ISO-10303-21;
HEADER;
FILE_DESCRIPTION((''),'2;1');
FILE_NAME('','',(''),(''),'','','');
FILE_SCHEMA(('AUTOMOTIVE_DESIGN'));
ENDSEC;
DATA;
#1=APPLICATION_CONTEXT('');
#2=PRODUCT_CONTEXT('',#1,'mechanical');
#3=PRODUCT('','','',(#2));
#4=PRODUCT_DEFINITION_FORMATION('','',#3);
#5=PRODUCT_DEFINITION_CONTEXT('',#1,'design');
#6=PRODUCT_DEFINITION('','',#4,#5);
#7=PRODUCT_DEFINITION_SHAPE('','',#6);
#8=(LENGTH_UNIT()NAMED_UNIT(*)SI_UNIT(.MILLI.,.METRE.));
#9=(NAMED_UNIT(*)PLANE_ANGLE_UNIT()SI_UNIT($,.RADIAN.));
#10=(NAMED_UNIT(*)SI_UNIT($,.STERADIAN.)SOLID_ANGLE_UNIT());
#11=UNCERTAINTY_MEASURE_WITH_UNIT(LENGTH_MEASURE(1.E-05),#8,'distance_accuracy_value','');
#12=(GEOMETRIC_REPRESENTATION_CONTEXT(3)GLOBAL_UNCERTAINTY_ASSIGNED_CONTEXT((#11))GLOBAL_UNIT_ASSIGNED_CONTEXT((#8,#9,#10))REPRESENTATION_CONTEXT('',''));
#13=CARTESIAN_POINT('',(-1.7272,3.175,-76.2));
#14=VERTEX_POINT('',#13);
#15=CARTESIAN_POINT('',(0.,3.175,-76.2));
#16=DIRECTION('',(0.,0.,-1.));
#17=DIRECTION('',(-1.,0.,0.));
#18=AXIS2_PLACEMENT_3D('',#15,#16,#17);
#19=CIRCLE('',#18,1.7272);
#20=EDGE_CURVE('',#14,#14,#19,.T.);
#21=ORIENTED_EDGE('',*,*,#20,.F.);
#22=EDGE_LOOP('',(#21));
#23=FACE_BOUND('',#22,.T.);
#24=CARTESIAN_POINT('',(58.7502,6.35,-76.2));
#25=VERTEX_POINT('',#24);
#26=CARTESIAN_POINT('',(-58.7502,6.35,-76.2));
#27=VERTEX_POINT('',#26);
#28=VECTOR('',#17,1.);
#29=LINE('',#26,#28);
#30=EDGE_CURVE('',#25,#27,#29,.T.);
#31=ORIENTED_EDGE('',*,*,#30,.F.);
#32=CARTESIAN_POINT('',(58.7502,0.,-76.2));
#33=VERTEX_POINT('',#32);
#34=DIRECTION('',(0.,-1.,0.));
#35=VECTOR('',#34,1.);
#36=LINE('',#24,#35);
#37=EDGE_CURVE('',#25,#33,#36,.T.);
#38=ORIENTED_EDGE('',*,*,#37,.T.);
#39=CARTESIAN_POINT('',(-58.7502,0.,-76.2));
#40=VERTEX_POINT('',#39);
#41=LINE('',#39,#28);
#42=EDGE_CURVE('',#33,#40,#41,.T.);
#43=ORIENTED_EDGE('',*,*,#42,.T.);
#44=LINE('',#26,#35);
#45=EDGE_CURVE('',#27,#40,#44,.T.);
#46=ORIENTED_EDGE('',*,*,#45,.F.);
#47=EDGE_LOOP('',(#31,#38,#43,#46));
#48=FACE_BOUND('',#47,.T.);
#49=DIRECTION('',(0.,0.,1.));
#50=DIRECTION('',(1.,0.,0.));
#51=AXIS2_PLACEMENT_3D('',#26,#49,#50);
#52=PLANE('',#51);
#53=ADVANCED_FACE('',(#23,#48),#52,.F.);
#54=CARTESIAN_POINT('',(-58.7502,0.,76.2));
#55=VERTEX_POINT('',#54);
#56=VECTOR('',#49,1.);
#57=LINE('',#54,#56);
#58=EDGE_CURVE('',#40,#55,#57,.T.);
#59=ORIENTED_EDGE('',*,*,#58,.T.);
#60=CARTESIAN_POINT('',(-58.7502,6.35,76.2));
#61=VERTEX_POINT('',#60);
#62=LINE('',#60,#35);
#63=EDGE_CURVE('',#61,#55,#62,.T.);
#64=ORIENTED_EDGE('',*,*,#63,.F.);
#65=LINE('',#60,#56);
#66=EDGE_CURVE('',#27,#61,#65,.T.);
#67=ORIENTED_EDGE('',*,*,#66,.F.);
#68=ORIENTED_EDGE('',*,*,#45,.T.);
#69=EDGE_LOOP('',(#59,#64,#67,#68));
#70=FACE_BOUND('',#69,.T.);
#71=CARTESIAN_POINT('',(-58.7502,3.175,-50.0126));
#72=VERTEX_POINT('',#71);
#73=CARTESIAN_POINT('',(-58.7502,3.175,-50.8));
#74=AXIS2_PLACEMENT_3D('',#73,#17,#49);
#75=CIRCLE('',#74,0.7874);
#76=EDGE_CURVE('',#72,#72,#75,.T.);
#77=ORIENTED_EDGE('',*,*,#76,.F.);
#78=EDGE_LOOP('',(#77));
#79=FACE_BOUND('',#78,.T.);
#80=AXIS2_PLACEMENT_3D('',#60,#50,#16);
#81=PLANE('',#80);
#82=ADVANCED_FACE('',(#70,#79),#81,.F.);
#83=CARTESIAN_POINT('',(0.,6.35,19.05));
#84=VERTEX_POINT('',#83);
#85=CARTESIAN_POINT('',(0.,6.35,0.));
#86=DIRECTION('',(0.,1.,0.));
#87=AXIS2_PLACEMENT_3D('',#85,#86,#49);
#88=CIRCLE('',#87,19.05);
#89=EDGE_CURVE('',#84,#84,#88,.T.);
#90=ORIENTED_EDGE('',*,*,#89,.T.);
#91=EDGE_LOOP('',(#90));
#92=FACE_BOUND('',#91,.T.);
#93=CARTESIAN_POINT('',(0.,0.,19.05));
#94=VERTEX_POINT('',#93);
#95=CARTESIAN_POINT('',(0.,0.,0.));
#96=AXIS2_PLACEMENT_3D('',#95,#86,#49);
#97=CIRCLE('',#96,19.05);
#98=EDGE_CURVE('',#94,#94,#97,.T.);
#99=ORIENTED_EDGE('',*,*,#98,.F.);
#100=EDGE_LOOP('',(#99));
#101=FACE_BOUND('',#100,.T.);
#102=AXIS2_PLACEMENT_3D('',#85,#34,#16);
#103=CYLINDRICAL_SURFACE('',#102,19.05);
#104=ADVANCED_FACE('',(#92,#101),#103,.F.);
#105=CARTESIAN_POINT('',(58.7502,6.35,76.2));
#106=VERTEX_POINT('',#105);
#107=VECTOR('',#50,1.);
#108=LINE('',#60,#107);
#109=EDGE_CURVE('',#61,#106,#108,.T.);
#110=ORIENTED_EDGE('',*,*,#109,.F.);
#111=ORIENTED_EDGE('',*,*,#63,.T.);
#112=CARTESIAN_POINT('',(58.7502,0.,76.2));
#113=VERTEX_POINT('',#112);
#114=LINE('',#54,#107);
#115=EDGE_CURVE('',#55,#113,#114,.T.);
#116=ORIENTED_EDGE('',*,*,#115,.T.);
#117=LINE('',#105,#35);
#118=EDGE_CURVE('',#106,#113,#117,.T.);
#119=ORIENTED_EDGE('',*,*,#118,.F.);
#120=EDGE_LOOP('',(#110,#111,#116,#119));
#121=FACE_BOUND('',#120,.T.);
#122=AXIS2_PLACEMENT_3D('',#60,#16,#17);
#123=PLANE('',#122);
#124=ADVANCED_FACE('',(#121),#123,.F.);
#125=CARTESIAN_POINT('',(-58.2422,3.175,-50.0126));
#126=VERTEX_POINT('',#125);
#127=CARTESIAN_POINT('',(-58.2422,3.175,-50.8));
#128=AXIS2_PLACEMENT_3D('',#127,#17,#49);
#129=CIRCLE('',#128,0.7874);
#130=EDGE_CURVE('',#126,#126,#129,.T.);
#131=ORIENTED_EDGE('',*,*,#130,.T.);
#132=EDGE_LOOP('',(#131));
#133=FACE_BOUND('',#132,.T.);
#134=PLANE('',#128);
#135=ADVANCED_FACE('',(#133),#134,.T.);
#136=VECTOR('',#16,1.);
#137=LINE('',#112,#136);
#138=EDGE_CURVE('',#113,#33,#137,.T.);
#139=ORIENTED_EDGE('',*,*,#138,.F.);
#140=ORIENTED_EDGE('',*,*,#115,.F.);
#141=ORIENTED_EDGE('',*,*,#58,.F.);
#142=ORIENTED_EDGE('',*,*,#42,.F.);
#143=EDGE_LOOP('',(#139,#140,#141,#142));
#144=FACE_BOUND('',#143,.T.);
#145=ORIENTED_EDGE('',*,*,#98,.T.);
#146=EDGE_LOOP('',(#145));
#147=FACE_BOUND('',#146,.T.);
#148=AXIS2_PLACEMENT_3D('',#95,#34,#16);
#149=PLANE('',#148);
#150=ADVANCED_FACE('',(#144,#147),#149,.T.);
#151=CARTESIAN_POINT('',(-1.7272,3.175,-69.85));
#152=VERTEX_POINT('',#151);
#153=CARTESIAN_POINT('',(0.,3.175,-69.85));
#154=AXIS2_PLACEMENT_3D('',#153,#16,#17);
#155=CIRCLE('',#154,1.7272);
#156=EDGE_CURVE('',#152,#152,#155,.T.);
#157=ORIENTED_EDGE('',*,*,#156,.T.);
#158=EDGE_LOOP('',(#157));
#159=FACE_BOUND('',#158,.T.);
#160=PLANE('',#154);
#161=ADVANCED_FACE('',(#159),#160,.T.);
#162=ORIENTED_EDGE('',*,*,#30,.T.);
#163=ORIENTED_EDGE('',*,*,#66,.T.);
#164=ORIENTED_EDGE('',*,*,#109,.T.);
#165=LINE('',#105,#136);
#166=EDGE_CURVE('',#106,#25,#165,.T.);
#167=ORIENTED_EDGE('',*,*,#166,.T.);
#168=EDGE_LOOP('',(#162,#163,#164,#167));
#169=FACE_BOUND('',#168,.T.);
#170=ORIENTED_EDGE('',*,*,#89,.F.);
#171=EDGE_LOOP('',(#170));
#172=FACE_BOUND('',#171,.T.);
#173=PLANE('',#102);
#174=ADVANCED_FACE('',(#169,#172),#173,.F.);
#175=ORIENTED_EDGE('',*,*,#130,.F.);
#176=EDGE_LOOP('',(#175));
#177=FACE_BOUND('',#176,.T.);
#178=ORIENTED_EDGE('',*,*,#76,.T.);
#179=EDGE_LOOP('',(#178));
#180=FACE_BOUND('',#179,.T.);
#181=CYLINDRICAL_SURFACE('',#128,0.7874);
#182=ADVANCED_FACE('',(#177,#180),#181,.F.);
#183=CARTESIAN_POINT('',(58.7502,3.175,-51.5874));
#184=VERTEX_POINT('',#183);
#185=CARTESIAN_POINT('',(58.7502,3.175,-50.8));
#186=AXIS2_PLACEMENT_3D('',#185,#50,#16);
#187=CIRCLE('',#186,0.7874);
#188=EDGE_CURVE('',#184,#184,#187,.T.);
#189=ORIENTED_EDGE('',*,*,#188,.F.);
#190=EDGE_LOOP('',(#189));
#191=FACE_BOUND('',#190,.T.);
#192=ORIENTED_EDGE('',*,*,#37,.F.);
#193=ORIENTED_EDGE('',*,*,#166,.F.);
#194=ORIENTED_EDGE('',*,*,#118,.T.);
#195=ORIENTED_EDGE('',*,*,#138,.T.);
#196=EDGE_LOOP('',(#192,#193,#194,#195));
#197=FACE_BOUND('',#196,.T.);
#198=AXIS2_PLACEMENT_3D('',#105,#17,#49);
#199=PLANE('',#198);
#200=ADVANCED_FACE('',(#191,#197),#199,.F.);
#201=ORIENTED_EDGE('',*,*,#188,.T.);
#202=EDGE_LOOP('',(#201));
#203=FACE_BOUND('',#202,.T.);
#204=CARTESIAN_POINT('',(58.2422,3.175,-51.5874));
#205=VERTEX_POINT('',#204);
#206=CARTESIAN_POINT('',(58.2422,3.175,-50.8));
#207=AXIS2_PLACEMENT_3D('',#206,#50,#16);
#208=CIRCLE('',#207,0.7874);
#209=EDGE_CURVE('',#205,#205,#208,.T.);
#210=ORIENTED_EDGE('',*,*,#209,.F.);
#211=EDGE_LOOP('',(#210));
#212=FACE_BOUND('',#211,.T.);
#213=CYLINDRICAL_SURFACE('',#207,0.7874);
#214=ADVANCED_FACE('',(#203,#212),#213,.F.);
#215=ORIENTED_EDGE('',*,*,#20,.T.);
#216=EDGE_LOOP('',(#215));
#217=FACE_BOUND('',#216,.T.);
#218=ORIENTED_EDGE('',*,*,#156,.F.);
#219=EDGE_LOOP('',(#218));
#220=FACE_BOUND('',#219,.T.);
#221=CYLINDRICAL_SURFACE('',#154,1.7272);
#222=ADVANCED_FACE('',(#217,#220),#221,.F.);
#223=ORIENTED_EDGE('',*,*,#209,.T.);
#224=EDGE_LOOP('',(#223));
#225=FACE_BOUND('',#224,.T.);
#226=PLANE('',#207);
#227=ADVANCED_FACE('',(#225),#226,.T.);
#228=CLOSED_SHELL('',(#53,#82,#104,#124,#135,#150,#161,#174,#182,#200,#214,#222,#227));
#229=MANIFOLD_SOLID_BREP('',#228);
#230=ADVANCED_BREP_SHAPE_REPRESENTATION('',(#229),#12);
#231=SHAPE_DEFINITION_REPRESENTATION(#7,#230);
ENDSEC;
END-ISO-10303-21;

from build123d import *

# Parameters (mm, degrees)
SKETCH1_W           = 117.5004
SKETCH1_H           = 152.4
SKETCH1_R           = 19.05
BOSS_EXTRUDE1_DEPTH = 6.35
SKETCH3_R           = 0.7874
CUT_EXTRUDE1_DEPTH  = 0.508
SKETCH4_R           = 0.7874
CUT_EXTRUDE2_DEPTH  = 0.508
SKETCH5_R           = 1.7272
CUT_EXTRUDE3_DEPTH  = 6.35


with BuildPart() as part:
    # Sketch1 → Boss-Extrude1 (new body)
    with BuildSketch(Plane(origin=(0, 0, 0), x_dir=(1, 0, 0), z_dir=(0, 1, 0))):
        Rectangle(SKETCH1_W, SKETCH1_H)
        Circle(SKETCH1_R, mode=Mode.SUBTRACT)
    extrude(amount=BOSS_EXTRUDE1_DEPTH)

    # Sketch3 → Cut-Extrude1 (cut)
    with BuildSketch(Plane.ZY.offset(58.7502)):
        with Locations((-50.8, 3.175)):
            Circle(SKETCH3_R)
    extrude(amount=-CUT_EXTRUDE1_DEPTH, mode=Mode.SUBTRACT)

    # Sketch4 → Cut-Extrude2 (cut)
    with BuildSketch(Plane(origin=(58.7502, 0, 0), x_dir=(0, 0, -1), z_dir=(1, 0, 0))):
        with Locations((50.8, 3.175)):
            Circle(SKETCH4_R)
    extrude(amount=-CUT_EXTRUDE2_DEPTH, mode=Mode.SUBTRACT)

    # Sketch5 → Cut-Extrude3 (cut)
    with BuildSketch(Plane(origin=(0, 0, -76.2), x_dir=(-1, 0, 0), z_dir=(0, 0, -1))):
        with Locations((0, 3.175)):
            Circle(SKETCH5_R)
    extrude(amount=-CUT_EXTRUDE3_DEPTH, mode=Mode.SUBTRACT)


solid = part.part
